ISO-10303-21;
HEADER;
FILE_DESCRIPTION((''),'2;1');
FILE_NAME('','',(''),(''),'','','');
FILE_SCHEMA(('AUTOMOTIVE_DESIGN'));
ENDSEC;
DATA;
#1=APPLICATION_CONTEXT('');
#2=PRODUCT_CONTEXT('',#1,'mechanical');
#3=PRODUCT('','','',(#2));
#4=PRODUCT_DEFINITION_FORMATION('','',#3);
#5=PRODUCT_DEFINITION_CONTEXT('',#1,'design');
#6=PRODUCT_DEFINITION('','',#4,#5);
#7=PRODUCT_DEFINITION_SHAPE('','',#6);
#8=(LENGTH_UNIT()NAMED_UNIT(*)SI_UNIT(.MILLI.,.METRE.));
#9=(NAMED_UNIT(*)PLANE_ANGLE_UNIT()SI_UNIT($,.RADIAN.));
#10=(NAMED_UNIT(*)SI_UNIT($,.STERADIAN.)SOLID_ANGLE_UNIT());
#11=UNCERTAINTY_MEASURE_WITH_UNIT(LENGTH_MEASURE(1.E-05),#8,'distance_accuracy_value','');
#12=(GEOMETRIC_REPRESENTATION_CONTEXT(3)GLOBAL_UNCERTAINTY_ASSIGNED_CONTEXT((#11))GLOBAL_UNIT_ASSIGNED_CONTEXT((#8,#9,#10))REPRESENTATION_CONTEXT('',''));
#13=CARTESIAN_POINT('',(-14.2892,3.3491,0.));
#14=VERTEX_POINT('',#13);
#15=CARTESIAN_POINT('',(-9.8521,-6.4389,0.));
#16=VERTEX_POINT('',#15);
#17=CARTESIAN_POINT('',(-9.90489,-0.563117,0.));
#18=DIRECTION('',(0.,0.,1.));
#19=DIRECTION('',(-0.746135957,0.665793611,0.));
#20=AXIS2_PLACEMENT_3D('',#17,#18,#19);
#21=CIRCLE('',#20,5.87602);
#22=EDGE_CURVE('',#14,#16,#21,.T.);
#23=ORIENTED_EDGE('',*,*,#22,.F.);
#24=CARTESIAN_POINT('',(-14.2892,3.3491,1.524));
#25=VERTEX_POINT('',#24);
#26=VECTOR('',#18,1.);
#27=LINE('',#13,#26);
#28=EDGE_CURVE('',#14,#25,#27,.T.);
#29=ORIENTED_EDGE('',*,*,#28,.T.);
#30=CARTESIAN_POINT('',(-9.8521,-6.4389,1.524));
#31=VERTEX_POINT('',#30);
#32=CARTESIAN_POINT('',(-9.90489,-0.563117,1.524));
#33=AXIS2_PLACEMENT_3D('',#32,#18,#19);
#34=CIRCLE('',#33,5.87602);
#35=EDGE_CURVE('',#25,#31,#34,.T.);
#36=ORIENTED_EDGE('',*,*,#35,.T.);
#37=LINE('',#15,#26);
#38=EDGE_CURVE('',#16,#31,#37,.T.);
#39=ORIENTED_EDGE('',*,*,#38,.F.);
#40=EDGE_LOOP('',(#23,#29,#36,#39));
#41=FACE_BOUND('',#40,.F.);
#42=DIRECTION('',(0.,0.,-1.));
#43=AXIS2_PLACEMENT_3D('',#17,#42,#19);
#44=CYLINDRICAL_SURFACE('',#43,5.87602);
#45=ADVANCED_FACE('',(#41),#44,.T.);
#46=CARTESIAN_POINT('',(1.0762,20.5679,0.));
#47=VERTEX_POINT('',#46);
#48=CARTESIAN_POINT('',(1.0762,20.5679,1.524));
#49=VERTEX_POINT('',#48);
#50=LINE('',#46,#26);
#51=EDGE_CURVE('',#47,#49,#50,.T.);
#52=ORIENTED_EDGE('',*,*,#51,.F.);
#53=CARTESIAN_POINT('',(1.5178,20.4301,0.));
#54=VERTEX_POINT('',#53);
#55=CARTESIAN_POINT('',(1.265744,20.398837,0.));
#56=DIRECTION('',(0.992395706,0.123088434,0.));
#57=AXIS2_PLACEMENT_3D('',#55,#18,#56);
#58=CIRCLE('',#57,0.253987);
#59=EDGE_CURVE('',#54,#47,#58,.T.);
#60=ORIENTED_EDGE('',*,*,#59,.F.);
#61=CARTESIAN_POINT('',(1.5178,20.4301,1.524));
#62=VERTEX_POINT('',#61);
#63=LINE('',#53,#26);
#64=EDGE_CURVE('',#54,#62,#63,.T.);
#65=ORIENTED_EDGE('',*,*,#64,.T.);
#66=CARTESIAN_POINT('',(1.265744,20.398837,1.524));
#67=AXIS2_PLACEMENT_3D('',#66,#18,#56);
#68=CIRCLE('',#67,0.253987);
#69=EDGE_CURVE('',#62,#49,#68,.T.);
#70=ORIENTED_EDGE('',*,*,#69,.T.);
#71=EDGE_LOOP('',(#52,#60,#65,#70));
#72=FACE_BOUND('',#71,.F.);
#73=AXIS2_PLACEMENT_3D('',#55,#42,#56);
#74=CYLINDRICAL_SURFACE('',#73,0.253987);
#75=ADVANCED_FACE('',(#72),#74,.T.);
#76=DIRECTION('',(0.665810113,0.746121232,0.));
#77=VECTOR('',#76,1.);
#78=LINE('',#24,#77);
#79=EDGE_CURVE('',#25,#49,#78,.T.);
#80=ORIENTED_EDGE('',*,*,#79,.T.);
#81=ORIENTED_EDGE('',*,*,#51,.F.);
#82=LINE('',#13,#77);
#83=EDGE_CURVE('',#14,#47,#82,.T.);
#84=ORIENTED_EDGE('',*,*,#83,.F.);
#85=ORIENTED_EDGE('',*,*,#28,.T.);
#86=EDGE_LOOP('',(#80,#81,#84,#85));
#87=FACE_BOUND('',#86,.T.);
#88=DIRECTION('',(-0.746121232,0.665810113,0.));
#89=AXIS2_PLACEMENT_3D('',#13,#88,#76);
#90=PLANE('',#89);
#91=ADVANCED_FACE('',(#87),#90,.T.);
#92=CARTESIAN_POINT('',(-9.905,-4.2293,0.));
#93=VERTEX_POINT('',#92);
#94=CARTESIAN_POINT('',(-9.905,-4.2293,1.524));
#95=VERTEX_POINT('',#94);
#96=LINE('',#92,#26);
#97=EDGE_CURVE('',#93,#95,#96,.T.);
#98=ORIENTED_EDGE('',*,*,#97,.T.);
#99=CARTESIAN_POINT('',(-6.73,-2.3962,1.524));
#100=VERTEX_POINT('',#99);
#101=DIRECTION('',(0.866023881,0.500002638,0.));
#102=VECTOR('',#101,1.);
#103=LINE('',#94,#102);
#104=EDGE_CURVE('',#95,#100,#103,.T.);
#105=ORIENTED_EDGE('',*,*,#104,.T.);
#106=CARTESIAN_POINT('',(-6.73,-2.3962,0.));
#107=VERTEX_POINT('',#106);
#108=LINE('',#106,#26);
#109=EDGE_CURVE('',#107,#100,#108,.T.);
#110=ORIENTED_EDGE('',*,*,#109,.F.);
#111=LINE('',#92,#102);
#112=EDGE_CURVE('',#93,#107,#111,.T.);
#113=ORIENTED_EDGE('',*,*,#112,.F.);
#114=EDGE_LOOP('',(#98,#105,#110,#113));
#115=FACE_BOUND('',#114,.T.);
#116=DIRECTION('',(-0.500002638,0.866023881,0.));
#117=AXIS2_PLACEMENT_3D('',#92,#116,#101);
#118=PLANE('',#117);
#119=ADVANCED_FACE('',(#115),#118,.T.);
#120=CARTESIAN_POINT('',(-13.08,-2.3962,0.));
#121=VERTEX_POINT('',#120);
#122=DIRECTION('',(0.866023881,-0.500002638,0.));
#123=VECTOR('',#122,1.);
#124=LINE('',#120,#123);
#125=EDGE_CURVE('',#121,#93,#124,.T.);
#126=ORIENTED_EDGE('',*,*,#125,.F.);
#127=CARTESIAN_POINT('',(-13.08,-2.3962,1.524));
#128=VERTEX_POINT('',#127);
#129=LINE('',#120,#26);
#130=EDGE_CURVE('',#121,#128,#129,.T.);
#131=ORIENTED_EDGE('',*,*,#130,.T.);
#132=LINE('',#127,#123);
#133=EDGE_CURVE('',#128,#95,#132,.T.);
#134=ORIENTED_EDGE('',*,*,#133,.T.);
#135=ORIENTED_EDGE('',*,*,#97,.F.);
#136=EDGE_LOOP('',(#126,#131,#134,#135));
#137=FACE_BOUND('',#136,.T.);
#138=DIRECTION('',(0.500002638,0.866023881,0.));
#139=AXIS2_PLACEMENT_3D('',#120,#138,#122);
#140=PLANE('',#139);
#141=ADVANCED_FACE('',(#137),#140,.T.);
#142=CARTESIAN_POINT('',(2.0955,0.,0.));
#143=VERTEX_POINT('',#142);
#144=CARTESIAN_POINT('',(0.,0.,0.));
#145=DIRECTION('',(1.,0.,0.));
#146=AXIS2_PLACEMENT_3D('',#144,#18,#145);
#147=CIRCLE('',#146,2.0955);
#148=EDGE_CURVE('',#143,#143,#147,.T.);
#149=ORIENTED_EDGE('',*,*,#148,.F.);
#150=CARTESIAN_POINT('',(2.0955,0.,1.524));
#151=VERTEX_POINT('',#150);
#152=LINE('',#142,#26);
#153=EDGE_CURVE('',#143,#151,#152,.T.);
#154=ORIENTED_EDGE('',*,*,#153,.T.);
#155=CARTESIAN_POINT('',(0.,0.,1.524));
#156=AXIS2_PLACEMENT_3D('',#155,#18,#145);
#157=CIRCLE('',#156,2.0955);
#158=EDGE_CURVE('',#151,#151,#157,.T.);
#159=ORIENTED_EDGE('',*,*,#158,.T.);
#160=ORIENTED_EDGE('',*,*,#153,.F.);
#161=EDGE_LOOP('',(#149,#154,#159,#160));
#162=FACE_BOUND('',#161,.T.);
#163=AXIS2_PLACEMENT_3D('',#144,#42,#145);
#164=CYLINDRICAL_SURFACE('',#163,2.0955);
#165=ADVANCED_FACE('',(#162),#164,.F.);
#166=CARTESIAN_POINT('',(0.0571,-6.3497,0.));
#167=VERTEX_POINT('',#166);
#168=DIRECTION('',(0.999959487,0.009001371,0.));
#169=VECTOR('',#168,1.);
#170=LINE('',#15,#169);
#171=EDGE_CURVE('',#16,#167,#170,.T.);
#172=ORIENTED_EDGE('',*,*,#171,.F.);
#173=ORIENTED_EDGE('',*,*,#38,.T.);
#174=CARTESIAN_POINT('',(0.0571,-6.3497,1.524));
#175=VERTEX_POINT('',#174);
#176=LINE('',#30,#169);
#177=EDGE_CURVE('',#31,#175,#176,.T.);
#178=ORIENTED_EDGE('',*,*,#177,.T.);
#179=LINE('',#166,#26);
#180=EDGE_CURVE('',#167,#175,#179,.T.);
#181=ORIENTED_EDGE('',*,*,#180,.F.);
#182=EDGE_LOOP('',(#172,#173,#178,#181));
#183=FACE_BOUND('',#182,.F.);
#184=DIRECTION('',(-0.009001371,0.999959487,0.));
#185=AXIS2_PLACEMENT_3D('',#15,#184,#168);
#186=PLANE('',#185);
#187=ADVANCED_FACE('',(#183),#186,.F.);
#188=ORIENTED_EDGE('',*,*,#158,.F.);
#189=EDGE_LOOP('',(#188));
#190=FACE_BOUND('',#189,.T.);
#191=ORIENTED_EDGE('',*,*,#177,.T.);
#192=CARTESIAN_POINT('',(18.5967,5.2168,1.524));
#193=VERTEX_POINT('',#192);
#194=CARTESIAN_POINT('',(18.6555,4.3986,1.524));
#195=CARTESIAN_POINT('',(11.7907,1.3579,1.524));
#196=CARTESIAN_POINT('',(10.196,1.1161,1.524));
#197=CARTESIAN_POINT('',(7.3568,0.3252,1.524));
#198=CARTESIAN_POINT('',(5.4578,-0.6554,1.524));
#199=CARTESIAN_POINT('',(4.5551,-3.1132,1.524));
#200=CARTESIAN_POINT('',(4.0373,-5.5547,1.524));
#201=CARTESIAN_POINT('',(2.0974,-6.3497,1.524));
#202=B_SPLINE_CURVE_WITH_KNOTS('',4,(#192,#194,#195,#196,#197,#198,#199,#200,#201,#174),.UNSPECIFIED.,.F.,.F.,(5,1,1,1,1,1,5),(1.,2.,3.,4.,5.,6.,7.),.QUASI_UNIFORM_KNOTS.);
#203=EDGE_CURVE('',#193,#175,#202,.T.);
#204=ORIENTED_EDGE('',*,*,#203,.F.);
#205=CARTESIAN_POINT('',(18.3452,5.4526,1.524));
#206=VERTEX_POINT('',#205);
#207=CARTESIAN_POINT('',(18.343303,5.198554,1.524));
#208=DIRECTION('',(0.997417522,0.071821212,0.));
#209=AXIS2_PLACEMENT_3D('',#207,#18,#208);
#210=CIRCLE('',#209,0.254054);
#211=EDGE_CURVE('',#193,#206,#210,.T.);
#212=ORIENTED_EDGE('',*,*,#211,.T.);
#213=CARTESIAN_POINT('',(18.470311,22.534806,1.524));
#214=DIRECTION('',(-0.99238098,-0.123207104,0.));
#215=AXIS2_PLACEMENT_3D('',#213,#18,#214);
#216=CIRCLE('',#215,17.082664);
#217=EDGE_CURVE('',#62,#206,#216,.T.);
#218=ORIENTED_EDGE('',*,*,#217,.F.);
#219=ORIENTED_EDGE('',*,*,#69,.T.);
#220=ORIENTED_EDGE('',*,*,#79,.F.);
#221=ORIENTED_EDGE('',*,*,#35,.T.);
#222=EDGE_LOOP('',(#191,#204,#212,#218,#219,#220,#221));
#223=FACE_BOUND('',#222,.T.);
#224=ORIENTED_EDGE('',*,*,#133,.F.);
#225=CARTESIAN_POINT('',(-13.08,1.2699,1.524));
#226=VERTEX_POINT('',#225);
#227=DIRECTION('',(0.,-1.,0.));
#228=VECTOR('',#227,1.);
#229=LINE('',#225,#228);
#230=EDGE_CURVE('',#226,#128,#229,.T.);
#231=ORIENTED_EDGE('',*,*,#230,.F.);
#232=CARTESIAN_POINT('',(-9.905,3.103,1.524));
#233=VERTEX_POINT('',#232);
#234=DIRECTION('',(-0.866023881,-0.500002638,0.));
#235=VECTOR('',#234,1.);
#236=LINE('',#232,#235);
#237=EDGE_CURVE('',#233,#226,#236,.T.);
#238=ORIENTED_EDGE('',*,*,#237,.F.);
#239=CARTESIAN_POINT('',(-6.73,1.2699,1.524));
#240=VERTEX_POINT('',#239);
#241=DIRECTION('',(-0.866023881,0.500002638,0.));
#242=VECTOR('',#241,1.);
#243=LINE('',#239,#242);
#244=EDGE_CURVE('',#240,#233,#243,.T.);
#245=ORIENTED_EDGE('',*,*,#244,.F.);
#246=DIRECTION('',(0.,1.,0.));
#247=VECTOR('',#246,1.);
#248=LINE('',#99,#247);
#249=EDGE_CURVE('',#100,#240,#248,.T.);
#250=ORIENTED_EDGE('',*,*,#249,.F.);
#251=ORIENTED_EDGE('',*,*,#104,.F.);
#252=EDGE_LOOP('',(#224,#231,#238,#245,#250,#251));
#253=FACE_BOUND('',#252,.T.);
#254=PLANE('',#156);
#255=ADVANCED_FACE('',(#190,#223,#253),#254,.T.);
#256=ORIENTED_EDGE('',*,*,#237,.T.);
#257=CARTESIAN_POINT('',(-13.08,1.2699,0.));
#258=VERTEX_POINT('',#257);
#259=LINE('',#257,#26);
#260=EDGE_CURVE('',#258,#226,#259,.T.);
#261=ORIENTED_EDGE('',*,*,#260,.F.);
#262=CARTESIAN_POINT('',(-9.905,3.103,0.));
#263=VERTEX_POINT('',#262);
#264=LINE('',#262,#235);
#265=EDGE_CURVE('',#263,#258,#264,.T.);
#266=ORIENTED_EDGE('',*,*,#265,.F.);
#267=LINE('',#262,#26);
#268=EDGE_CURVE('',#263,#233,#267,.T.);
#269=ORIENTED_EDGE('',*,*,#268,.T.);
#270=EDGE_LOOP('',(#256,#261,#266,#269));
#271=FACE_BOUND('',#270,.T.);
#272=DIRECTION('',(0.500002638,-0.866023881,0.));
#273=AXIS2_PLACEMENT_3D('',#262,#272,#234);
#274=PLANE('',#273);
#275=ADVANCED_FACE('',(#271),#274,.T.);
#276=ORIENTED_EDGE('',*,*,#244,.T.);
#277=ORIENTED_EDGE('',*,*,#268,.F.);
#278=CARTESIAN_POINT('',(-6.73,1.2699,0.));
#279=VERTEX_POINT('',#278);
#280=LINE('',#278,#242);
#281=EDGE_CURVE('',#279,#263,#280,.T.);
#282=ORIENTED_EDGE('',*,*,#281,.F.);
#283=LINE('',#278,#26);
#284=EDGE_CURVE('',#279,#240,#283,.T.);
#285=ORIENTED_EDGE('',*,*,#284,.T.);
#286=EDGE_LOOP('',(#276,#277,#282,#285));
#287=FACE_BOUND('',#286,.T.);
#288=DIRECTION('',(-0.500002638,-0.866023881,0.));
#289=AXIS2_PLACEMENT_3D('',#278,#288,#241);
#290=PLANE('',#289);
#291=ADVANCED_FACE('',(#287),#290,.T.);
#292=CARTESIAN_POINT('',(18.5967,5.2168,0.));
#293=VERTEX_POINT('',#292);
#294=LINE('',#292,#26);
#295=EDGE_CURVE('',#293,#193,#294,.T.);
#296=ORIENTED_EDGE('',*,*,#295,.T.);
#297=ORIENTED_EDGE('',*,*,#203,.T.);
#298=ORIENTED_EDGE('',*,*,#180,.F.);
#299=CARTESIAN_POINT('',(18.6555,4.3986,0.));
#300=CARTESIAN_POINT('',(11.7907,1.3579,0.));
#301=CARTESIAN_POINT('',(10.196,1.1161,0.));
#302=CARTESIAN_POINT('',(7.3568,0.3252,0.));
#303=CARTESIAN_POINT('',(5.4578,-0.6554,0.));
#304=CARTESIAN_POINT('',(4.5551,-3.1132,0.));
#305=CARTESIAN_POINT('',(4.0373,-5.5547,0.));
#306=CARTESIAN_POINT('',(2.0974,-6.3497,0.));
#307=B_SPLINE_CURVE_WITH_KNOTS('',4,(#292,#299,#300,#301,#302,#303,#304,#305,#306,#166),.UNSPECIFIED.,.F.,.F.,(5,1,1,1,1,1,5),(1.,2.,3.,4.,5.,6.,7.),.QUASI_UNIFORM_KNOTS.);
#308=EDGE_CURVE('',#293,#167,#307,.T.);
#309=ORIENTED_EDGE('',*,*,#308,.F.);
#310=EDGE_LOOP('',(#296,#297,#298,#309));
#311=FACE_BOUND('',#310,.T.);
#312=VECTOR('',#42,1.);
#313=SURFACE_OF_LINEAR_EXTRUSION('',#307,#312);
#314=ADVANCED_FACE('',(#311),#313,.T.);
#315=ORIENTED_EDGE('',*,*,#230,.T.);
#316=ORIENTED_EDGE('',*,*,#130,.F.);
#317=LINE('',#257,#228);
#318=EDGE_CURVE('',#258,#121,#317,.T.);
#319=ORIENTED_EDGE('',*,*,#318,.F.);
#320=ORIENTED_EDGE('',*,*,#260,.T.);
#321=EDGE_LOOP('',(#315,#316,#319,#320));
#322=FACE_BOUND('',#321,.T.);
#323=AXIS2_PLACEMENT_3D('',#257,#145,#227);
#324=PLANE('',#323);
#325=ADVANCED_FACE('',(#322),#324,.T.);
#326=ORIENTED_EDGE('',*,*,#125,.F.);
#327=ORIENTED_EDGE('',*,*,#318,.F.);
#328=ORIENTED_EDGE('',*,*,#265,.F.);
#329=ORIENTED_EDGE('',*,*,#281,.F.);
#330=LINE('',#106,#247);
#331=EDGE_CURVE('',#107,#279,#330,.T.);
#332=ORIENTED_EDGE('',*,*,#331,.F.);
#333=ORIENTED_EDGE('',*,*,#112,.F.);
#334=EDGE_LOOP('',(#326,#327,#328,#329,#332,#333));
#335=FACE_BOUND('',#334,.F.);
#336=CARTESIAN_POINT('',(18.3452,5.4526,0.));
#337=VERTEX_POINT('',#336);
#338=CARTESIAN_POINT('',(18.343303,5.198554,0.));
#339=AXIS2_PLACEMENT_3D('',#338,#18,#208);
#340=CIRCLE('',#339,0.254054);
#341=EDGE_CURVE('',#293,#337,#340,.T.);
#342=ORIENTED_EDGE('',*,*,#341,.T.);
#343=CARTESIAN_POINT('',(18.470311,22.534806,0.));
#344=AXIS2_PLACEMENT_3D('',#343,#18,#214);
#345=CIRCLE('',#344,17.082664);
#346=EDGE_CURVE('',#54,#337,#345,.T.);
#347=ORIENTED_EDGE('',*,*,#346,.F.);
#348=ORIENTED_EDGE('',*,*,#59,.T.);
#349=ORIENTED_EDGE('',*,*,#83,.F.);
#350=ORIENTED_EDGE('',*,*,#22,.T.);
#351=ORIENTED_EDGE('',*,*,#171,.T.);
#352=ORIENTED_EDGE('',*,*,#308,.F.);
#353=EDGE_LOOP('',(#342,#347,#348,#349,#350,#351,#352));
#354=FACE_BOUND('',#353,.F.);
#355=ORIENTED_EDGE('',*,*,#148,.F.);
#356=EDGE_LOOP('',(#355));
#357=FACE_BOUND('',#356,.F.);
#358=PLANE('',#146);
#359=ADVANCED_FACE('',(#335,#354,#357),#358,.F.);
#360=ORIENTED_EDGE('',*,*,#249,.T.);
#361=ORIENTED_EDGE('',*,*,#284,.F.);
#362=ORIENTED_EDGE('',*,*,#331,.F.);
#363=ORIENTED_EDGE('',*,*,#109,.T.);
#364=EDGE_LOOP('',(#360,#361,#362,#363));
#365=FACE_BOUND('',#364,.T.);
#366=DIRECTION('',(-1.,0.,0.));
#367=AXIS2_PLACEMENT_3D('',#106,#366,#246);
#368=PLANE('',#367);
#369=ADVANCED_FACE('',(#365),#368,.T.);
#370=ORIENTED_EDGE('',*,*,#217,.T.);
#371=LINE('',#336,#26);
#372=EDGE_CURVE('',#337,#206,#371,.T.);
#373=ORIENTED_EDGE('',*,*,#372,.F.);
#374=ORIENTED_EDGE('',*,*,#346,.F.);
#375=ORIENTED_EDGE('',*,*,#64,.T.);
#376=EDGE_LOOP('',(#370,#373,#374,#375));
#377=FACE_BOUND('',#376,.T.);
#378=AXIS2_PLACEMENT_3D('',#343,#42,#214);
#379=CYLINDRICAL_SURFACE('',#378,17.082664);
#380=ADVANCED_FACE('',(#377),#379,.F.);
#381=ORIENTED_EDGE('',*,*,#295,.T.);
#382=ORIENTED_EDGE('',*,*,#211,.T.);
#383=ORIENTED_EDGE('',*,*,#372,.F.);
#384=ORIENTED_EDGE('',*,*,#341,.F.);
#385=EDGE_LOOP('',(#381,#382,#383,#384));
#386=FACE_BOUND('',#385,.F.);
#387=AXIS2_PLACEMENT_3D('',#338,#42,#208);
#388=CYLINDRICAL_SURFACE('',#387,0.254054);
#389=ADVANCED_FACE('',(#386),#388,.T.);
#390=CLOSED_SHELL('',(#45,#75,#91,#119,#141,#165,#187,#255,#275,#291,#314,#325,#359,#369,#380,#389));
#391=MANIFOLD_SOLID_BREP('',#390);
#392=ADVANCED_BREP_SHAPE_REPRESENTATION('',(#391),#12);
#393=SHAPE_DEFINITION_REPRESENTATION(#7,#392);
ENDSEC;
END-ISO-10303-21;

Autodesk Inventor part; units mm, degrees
ref_plane "YZ Plane" through (0, 0, 0) normal (1, 0, 0) x (0, 1, 0)
ref_plane "XZ Plane" through (0, 0, 0) normal (0, 1, 0) x (-1, 0, 0)
ref_plane "XY Plane" through (0, 0, 0) normal (0, 0, 1) x (1, 0, 0)
sketch "Sketch1" plane through (0, 0, 0) normal (0, 0, 1) x (1, 0, 0)
  line L0 (-13.08, 1.2699) -> (-13.08, -2.3962)
  line L1 (-13.08, -2.3962) -> (-9.905, -4.2293)
  line L2 (-9.905, -4.2293) -> (-6.73, -2.3962)
  line L3 (-6.73, -2.3962) -> (-6.73, 1.2699)
  line L4 (-6.73, 1.2699) -> (-9.905, 3.103)
  line L5 (-9.905, 3.103) -> (-13.08, 1.2699)
  arc A0 (1.5178, 20.4301) -> (18.3452, 5.4526) centre (18.4703, 22.5348) ccw
  line L6 (-9.8521, -6.4389) -> (0.0571, -6.3497)
  arc A1 (-14.2892, 3.3491) -> (-9.8521, -6.4389) centre (-9.905, -0.5631) ccw
  arc A2 (1.5178, 20.4301) -> (1.0762, 20.5679) centre (1.2657, 20.3988) ccw
  arc A3 (18.5967, 5.2168) -> (18.3452, 5.4526) centre (18.3434, 5.1986) ccw
  circle A4 centre (0, 0) radius 2.0955
  line L7 (18.5967, 5.2168) -> (18.6555, 4.3986) construction
  line L8 (18.6555, 4.3986) -> (11.7907, 1.3579) construction
  line L9 (11.7907, 1.3579) -> (10.196, 1.1161) construction
  line L10 (10.196, 1.1161) -> (7.3568, 0.3252) construction
  line L11 (7.3568, 0.3252) -> (5.4578, -0.6554) construction
  line L12 (5.4578, -0.6554) -> (4.5551, -3.1132) construction
  line L13 (4.5551, -3.1132) -> (4.0373, -5.5547) construction
  line L14 (4.0373, -5.5547) -> (2.0974, -6.3497) construction
  line L15 (2.0974, -6.3497) -> (0.0571, -6.3497) construction
  spline S0 degree 4 poles (18.5967, 5.2168) (18.6555, 4.3986) (11.7907, 1.3579) (10.196, 1.1161) (7.3568, 0.3252) (5.4578, -0.6554) (4.5551, -3.1132) (4.0373, -5.5547) (2.0974, -6.3497) (0.0571, -6.3497) knots 1 1 1 1 1 2 3 4 5 6 7 7 7 7 7
  line L16 (-14.2892, 3.3491) -> (1.0762, 20.5679)
  point P0 (-9.9025, -0.563)
  point P1 (1.4887, 20.6794)
  point P2 (19.9848, 5.5194)
  dimension "d2" = 7.3323
  dimension "d3" = 7.3323
  dimension "d4" = 7.3323
  dimension "d12" = 0.254
  dimension "d13" = 3.6662
  dimension "d14" = 3.6662
  dimension "d15" = 4.191
extrude "Extrusion3" add sketch "Sketch1" along normal blind 1.524
equation "\"d3\" = d2"
equation "\"d4\" = d2"
equation "\"d13\" = 0.5 * d2"
equation "\"d14\" = 0.5 * d2"
properties part number "gear-interface-v3"
